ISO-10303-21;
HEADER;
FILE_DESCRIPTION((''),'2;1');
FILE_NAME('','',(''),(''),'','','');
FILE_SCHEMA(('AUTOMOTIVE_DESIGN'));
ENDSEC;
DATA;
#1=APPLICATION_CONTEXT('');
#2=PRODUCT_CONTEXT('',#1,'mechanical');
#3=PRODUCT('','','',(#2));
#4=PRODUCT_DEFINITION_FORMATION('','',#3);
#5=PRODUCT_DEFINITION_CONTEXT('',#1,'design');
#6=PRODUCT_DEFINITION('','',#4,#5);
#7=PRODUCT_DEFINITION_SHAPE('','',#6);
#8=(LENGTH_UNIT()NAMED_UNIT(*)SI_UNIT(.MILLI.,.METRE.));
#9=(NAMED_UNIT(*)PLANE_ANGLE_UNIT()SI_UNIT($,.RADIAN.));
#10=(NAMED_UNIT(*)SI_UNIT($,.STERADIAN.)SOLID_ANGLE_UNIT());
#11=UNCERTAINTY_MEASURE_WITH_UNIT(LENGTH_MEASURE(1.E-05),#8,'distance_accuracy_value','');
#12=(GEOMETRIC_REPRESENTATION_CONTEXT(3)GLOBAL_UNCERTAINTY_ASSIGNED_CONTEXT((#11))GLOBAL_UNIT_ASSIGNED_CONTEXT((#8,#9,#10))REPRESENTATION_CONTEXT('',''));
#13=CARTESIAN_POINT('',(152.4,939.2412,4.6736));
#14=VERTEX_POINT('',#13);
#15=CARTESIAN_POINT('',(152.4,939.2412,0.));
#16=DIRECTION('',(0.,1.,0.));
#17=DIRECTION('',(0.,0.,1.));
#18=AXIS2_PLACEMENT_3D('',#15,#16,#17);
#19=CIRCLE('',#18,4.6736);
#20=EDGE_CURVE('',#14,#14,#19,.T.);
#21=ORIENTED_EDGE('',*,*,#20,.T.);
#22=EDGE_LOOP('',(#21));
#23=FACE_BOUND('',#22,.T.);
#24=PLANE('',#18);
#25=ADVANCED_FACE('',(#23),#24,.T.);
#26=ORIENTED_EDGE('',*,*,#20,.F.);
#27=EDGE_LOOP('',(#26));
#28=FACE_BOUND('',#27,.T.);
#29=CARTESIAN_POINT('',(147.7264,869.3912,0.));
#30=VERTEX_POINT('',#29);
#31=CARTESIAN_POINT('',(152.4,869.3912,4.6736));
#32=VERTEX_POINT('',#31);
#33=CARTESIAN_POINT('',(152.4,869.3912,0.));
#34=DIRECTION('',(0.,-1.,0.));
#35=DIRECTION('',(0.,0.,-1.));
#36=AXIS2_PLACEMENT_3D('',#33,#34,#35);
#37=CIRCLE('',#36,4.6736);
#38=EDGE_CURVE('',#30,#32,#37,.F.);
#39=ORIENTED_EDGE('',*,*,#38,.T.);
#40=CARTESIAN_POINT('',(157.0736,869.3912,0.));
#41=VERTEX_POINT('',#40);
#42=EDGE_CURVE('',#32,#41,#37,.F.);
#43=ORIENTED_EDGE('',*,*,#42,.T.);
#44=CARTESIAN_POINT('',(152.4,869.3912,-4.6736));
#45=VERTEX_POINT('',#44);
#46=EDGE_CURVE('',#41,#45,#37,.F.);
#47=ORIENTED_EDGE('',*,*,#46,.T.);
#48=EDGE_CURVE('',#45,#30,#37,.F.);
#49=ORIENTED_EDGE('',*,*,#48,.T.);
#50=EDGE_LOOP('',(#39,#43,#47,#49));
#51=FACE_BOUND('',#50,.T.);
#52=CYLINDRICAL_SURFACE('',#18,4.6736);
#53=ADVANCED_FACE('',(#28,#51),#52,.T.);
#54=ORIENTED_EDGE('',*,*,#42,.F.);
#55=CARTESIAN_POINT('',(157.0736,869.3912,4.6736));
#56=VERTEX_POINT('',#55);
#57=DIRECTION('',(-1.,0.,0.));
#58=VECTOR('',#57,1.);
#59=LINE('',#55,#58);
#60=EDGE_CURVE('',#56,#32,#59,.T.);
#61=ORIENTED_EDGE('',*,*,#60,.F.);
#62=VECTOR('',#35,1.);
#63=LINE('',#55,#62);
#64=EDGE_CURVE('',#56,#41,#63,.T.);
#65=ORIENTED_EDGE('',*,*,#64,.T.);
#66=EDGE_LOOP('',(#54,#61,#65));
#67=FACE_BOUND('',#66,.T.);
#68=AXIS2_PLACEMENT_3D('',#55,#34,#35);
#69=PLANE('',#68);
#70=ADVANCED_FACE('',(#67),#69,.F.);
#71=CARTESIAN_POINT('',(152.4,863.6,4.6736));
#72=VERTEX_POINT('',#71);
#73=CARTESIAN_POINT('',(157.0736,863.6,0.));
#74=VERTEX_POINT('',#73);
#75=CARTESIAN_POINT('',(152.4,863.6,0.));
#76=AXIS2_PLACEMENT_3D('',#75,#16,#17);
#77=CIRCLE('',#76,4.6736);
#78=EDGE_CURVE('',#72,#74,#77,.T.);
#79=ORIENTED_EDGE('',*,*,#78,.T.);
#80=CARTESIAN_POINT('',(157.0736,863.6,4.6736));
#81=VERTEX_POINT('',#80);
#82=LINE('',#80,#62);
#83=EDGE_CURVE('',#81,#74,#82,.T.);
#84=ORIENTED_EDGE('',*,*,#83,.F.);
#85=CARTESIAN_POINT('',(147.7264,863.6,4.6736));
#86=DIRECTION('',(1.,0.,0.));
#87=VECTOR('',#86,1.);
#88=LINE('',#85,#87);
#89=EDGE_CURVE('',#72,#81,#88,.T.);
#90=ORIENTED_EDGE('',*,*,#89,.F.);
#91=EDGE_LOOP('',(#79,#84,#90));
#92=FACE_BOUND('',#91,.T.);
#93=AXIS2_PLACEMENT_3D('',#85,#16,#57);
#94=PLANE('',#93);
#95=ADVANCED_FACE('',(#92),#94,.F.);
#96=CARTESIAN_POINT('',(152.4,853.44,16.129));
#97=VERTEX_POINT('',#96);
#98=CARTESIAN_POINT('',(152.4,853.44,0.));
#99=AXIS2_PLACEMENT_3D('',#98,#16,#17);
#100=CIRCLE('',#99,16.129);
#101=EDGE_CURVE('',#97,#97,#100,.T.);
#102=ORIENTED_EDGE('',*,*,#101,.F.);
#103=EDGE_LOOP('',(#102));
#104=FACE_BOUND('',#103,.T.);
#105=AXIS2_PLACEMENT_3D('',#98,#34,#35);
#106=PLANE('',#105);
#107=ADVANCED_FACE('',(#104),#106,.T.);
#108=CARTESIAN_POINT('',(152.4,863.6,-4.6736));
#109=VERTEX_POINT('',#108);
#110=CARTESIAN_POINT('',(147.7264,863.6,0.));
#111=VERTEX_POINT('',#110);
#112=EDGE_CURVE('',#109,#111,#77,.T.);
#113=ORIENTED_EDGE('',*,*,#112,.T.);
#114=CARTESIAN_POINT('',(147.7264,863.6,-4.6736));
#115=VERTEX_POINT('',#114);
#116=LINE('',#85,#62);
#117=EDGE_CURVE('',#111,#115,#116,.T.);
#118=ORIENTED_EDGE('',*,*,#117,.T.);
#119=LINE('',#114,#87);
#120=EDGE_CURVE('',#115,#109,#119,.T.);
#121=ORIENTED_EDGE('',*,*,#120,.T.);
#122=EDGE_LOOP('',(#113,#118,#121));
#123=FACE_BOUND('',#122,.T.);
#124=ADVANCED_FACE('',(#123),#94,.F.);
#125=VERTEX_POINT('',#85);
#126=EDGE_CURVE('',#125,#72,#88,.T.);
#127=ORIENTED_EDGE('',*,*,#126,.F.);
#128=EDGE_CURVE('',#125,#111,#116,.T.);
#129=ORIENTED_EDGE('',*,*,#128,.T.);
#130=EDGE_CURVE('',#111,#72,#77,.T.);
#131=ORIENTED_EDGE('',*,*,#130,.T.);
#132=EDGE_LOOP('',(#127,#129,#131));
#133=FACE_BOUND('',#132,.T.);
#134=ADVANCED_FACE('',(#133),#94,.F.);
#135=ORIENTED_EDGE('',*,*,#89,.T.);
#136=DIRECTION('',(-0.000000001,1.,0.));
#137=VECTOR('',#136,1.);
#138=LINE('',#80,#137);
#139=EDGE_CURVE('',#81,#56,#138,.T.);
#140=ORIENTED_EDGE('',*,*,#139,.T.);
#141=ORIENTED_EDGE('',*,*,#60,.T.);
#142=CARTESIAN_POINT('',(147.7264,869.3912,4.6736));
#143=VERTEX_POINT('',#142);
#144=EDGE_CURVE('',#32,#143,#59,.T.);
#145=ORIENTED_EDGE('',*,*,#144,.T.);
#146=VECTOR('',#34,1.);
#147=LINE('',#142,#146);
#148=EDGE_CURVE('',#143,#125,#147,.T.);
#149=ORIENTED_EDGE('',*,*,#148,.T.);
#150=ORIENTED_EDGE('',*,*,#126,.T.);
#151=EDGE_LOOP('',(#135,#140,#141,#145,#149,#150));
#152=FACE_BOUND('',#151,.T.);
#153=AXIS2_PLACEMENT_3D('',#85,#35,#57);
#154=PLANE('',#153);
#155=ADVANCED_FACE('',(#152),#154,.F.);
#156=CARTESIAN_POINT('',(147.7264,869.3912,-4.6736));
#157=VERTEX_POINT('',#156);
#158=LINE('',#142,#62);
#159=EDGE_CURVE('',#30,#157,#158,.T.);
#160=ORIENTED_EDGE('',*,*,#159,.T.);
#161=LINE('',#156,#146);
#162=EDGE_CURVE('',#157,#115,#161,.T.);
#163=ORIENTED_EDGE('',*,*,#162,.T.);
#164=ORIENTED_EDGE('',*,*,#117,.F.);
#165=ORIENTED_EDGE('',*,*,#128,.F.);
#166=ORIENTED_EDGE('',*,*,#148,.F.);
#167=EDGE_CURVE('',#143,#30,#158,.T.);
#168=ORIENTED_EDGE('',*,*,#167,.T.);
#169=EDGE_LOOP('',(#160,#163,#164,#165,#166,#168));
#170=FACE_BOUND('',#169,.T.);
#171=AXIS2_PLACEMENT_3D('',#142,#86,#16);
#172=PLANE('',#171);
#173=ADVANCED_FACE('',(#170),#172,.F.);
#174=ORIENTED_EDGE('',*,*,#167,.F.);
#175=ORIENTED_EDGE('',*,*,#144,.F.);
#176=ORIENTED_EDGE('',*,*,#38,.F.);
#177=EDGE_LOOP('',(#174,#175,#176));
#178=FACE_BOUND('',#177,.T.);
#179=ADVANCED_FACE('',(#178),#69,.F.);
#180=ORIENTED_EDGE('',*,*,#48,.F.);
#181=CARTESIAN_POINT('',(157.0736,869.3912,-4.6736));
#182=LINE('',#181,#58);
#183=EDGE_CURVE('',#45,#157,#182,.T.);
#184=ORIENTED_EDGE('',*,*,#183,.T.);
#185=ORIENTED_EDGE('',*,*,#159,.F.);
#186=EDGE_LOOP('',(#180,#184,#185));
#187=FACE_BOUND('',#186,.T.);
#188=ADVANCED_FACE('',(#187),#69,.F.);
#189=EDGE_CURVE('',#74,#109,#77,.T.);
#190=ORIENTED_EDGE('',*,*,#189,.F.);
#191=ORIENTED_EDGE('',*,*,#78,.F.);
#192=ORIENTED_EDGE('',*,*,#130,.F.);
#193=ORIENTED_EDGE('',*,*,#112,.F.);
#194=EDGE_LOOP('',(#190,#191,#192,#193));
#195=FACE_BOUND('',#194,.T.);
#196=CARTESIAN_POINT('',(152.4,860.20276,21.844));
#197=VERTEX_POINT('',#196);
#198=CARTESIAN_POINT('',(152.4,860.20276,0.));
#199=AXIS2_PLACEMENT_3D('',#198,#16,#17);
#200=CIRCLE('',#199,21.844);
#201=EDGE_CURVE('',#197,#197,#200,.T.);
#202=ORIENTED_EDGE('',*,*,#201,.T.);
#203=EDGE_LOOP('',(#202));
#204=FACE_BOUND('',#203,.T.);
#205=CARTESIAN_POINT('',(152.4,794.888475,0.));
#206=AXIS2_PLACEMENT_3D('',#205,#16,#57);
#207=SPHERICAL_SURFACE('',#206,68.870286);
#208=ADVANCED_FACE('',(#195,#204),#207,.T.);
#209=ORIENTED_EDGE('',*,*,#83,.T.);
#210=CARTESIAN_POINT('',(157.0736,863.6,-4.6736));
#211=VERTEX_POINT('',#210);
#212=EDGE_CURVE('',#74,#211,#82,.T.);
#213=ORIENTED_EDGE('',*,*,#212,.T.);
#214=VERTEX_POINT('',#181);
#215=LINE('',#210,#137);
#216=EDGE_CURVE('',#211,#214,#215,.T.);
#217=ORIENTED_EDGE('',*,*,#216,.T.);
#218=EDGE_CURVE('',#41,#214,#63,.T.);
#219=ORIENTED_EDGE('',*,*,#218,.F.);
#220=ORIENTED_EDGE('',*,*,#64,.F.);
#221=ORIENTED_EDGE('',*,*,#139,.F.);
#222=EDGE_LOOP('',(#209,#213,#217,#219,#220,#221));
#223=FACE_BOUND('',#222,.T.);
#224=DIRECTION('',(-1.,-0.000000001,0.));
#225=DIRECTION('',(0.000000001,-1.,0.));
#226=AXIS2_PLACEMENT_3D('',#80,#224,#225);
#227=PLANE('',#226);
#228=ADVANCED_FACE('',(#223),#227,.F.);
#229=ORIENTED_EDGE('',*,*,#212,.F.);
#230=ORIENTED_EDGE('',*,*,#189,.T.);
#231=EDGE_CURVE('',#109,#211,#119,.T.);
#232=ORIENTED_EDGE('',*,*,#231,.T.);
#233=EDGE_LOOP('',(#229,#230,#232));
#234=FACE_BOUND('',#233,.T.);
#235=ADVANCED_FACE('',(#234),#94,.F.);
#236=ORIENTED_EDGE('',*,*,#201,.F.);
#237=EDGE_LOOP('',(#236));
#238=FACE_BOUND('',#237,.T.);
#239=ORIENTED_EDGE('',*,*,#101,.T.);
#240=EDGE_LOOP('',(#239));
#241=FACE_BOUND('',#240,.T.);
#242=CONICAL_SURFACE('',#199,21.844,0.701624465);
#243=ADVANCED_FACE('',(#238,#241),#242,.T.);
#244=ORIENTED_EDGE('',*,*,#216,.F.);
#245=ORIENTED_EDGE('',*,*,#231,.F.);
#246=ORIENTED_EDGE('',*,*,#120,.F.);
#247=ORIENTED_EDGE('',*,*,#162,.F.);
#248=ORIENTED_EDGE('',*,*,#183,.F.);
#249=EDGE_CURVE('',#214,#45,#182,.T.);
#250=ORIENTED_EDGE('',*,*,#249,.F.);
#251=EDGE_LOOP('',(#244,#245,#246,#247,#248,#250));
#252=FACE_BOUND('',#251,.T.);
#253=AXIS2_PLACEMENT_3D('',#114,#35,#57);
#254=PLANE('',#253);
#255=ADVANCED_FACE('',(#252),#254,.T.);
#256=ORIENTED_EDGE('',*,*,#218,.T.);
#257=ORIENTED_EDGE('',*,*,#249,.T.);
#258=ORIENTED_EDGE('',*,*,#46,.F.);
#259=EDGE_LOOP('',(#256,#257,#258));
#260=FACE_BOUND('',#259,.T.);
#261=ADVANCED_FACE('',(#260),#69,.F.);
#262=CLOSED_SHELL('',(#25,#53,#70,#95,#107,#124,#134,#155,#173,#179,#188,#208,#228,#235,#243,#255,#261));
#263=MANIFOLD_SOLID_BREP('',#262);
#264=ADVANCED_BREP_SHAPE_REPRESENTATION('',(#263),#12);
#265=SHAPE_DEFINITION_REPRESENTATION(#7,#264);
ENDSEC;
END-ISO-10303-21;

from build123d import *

# Parameters (mm, degrees)
EXTRUDE1_DEPTH = 4.6736


with BuildPart() as part:
    # Sketch1 → Revolve1 (revolve)
    with BuildSketch(Plane.XY):
        with BuildLine():
            Line((152.4, 939.2412), (152.4, 853.44))
            Line((152.4, 853.44), (136.271, 853.44))
            Line((136.271, 853.44), (130.556, 860.202760353))
            ThreePointArc((130.556, 860.202760353), (139.032835502, 862.449078304), (147.726400001, 863.6))
            Line((147.726400001, 863.6), (147.726400001, 939.2412))
            Line((147.726400001, 939.2412), (152.4, 939.2412))
        make_face()
    revolve(axis=Axis((152.4, 939.2412, 0), (0, -1, 0)))

    # Sketch2 → Extrude1 (add, symmetric)
    with BuildSketch(Plane.XY):
        Polygon((157.073600006, 863.600000001), (157.073599999, 869.3912), (147.726400001, 869.3912), (147.726400001, 863.6), align=None)
    extrude(amount=EXTRUDE1_DEPTH, both=True)


solid = part.part
